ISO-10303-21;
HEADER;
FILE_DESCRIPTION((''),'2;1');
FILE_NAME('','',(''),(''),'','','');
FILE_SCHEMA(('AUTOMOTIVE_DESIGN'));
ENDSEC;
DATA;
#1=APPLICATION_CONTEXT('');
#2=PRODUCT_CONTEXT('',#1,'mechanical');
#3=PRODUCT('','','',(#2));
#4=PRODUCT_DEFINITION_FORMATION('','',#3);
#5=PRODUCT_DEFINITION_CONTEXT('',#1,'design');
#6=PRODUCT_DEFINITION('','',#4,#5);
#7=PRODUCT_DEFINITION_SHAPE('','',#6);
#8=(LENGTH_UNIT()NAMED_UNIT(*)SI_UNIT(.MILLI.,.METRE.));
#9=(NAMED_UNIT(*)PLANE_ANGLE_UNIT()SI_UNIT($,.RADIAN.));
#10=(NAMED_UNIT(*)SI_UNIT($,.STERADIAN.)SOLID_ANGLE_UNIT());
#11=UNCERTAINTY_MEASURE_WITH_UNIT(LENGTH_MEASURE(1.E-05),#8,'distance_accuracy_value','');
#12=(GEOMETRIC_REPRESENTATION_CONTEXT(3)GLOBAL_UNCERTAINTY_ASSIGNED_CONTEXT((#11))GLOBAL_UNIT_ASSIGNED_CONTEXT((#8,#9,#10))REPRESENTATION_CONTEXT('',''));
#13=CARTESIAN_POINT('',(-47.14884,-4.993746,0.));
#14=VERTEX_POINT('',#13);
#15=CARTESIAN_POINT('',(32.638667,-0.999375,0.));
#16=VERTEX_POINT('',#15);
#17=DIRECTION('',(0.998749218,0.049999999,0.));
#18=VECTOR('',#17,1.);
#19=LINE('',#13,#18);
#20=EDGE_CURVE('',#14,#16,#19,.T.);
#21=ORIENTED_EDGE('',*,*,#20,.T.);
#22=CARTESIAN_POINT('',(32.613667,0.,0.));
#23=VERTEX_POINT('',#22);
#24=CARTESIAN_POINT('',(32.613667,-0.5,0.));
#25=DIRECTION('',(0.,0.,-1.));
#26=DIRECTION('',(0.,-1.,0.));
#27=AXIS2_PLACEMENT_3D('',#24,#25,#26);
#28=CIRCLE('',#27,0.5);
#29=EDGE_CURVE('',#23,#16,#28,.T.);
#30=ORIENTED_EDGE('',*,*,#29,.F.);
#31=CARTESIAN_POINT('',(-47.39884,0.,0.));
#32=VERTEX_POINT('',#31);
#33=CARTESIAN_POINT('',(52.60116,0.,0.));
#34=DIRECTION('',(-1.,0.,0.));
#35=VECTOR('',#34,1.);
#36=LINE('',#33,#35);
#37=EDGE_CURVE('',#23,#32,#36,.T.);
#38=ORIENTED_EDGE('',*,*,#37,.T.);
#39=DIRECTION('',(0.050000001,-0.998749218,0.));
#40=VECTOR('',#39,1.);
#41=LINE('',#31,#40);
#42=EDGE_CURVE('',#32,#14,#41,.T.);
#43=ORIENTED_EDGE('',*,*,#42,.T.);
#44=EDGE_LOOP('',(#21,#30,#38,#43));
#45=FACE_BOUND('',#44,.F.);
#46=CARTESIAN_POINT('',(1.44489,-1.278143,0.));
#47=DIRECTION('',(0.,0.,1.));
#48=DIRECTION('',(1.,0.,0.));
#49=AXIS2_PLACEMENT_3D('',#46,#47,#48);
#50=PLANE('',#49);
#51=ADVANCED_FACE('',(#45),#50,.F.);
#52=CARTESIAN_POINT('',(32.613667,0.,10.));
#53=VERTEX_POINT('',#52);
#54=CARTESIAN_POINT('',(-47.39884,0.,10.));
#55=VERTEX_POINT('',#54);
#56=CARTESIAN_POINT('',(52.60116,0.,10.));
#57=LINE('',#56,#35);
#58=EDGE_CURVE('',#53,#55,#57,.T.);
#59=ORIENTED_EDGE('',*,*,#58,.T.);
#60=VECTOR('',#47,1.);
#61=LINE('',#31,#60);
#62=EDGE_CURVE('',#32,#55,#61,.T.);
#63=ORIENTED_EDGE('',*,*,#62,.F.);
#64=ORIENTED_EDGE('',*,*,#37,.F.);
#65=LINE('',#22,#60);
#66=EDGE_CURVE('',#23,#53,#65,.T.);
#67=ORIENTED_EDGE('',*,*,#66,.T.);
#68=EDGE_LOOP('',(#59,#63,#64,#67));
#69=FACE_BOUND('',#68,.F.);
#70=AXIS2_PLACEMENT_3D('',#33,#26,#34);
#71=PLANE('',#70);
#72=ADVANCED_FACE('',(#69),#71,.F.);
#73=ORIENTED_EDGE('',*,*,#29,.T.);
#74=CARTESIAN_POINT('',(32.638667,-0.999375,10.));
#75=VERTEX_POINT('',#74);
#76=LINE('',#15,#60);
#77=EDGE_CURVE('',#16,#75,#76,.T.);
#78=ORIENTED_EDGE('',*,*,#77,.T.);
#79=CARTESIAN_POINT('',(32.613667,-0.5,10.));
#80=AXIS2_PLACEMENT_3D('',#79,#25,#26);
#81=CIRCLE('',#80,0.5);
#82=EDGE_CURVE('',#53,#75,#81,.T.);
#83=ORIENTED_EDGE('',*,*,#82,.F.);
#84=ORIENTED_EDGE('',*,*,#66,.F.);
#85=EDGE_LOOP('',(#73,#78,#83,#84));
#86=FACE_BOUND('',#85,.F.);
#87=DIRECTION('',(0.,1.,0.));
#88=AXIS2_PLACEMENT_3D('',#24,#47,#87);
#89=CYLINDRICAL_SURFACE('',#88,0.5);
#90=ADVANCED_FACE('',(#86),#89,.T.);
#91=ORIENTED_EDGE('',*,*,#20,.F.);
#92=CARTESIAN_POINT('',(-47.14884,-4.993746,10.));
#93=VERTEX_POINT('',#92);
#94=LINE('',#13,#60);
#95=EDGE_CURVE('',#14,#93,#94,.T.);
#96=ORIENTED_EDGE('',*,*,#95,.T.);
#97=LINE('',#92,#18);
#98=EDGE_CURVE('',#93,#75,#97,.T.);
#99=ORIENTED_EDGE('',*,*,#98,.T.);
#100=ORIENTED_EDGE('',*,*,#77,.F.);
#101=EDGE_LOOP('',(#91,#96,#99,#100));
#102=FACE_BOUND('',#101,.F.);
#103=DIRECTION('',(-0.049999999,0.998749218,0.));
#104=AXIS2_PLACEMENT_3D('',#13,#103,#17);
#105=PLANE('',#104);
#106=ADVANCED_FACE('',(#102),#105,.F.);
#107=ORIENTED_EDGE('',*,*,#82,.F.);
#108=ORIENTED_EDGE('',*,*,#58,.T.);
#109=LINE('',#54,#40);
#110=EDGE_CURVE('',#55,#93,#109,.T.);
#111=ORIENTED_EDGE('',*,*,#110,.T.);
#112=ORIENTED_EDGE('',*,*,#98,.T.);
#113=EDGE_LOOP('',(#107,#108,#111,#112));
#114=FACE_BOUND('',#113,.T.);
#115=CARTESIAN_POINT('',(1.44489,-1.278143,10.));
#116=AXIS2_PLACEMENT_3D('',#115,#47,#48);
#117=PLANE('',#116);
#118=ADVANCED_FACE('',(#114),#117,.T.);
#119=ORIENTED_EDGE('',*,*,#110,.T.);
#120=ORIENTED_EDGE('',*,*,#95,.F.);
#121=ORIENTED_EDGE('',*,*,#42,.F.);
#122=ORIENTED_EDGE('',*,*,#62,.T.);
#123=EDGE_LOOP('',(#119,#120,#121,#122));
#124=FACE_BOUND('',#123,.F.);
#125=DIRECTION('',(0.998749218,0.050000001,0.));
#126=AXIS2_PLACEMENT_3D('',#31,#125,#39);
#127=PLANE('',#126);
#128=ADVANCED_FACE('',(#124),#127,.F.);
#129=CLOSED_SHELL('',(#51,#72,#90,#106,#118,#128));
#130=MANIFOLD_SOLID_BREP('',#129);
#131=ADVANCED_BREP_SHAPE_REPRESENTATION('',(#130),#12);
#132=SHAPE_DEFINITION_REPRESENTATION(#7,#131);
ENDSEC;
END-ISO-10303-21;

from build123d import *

# Parameters (mm, degrees)
F1_DEPTH = 10
F2_R     = 0.5


with BuildPart() as f1:
    # F0 (on Top) → F1 (new body)
    with BuildSketch(Plane.XY):
        Polygon((52.60116, 0), (-47.39884, 0), (-47.14884, -4.993746), align=None)
    extrude(amount=F1_DEPTH)

    # F2
    f2_edges = [f1.edges().sort_by_distance(p)[0] for p in [
        (52.60116, 0, 5),
    ]]
    fillet(f2_edges, radius=F2_R)


solid = f1.part
